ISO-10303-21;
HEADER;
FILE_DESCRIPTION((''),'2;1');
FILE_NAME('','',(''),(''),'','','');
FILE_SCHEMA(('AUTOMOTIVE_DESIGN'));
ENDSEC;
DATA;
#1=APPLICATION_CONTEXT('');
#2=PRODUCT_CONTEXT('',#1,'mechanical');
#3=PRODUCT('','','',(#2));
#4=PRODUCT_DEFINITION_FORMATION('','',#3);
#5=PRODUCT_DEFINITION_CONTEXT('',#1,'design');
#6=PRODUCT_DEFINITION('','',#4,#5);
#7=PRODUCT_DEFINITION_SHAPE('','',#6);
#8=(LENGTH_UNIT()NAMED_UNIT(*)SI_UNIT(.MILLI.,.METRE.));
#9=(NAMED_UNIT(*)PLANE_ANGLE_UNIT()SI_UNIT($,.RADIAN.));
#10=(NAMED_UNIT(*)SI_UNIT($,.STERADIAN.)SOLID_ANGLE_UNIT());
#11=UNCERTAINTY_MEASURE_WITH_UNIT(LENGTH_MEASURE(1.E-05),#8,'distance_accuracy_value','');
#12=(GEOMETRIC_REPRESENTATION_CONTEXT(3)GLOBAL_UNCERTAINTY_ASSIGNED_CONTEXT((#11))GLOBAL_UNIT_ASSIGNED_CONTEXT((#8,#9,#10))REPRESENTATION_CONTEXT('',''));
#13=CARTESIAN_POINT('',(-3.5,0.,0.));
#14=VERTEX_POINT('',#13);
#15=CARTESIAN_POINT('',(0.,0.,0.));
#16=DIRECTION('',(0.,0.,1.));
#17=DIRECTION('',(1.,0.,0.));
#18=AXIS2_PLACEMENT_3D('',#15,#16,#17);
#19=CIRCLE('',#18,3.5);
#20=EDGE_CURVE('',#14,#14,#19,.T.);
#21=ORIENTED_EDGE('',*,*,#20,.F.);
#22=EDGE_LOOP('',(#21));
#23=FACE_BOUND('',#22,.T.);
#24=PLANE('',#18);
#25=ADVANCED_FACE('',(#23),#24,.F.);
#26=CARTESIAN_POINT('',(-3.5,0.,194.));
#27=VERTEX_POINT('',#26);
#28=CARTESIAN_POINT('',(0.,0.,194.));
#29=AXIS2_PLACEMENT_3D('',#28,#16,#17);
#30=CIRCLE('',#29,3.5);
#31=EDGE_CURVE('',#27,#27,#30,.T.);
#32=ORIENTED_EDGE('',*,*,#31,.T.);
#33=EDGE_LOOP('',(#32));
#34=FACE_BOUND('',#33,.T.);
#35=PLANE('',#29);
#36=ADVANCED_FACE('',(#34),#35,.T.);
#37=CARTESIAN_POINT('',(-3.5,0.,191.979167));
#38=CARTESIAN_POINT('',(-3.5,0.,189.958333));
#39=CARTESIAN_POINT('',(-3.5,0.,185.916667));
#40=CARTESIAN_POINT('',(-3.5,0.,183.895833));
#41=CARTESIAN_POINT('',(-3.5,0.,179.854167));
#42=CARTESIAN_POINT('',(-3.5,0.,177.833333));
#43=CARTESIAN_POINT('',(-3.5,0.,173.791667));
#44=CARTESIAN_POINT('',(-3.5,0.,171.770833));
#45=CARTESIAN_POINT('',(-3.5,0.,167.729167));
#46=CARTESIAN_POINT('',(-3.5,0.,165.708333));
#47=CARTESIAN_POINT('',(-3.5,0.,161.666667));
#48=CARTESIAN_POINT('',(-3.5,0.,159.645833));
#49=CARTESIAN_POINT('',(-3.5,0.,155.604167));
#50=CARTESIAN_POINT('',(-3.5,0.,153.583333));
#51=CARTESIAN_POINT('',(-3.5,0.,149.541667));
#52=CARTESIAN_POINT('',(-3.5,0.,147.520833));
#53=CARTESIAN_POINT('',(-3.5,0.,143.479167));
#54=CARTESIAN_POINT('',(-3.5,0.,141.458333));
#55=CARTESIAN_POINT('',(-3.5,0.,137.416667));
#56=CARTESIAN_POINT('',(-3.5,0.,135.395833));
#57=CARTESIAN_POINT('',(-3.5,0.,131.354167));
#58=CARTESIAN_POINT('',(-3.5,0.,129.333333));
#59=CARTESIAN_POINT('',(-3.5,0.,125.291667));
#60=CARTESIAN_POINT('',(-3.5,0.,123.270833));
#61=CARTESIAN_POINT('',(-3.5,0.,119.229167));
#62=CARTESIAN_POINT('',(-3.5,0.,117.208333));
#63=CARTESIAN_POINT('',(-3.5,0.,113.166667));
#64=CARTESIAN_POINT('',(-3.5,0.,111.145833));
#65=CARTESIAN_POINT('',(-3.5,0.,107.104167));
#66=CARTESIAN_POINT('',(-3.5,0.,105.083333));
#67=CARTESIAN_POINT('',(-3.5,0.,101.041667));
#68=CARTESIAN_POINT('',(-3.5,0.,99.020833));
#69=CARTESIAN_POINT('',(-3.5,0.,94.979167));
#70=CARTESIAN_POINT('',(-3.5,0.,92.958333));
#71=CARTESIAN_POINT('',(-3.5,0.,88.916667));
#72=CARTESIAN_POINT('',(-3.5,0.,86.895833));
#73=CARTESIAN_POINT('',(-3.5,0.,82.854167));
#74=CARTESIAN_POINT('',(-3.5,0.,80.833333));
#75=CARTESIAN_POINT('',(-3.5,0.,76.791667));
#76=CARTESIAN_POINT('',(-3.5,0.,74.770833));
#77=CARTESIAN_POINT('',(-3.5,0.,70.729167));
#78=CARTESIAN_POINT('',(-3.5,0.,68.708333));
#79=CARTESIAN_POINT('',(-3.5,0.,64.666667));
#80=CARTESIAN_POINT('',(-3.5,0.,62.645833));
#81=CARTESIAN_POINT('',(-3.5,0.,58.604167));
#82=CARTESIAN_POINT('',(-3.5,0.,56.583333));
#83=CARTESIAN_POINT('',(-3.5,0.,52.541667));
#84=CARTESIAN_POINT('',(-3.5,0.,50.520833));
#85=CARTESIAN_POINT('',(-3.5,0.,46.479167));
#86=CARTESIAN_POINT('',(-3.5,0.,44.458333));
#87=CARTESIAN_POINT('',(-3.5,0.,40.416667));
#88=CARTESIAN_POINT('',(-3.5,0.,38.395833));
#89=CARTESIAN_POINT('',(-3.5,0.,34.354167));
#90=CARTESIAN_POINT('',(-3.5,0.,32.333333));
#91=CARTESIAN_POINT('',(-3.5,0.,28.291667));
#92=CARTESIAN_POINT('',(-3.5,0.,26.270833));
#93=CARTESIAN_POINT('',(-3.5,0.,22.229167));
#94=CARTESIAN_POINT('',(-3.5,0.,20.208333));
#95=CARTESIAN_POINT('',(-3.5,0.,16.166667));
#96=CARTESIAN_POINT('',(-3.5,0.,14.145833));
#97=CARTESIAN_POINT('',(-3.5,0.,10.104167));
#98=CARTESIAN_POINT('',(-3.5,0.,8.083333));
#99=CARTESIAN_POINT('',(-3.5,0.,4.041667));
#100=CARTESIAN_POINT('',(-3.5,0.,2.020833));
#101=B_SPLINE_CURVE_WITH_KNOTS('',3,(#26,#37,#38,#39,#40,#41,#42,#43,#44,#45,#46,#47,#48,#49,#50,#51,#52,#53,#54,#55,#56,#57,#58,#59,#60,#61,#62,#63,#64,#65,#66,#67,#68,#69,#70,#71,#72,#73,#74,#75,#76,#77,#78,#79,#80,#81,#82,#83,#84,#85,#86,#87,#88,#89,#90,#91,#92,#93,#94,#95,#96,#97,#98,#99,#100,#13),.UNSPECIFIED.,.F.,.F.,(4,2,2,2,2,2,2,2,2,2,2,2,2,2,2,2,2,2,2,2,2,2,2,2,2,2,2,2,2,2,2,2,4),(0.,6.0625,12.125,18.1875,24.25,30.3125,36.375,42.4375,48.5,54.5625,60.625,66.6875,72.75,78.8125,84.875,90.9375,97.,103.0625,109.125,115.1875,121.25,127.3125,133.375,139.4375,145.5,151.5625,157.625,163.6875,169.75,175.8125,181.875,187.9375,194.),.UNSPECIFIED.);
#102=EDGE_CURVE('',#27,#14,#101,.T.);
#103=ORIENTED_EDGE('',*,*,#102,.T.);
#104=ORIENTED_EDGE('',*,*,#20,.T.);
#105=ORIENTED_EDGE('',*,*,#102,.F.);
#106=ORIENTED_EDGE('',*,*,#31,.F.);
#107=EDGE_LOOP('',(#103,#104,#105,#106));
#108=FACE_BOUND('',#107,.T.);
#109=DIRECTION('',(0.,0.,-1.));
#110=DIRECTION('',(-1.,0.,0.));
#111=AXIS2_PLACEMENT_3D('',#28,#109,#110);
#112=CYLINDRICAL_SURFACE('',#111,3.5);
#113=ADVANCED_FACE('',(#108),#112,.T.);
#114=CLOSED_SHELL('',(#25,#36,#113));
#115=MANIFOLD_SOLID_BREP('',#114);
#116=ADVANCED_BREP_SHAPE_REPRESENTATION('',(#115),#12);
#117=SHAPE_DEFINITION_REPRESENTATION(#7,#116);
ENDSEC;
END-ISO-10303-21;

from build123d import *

# Parameters (mm, degrees)
SKETCH1_R           = 3.5
BOSS_EXTRUDE1_DEPTH = 194


with BuildPart() as part:
    # Sketch1 → Boss-Extrude1 (new body)
    with BuildSketch(Plane.XY):
        with Locations(Location((0, 0, 0), (0, 0, 180))):
            Circle(SKETCH1_R)
    extrude(amount=BOSS_EXTRUDE1_DEPTH)


solid = part.part
